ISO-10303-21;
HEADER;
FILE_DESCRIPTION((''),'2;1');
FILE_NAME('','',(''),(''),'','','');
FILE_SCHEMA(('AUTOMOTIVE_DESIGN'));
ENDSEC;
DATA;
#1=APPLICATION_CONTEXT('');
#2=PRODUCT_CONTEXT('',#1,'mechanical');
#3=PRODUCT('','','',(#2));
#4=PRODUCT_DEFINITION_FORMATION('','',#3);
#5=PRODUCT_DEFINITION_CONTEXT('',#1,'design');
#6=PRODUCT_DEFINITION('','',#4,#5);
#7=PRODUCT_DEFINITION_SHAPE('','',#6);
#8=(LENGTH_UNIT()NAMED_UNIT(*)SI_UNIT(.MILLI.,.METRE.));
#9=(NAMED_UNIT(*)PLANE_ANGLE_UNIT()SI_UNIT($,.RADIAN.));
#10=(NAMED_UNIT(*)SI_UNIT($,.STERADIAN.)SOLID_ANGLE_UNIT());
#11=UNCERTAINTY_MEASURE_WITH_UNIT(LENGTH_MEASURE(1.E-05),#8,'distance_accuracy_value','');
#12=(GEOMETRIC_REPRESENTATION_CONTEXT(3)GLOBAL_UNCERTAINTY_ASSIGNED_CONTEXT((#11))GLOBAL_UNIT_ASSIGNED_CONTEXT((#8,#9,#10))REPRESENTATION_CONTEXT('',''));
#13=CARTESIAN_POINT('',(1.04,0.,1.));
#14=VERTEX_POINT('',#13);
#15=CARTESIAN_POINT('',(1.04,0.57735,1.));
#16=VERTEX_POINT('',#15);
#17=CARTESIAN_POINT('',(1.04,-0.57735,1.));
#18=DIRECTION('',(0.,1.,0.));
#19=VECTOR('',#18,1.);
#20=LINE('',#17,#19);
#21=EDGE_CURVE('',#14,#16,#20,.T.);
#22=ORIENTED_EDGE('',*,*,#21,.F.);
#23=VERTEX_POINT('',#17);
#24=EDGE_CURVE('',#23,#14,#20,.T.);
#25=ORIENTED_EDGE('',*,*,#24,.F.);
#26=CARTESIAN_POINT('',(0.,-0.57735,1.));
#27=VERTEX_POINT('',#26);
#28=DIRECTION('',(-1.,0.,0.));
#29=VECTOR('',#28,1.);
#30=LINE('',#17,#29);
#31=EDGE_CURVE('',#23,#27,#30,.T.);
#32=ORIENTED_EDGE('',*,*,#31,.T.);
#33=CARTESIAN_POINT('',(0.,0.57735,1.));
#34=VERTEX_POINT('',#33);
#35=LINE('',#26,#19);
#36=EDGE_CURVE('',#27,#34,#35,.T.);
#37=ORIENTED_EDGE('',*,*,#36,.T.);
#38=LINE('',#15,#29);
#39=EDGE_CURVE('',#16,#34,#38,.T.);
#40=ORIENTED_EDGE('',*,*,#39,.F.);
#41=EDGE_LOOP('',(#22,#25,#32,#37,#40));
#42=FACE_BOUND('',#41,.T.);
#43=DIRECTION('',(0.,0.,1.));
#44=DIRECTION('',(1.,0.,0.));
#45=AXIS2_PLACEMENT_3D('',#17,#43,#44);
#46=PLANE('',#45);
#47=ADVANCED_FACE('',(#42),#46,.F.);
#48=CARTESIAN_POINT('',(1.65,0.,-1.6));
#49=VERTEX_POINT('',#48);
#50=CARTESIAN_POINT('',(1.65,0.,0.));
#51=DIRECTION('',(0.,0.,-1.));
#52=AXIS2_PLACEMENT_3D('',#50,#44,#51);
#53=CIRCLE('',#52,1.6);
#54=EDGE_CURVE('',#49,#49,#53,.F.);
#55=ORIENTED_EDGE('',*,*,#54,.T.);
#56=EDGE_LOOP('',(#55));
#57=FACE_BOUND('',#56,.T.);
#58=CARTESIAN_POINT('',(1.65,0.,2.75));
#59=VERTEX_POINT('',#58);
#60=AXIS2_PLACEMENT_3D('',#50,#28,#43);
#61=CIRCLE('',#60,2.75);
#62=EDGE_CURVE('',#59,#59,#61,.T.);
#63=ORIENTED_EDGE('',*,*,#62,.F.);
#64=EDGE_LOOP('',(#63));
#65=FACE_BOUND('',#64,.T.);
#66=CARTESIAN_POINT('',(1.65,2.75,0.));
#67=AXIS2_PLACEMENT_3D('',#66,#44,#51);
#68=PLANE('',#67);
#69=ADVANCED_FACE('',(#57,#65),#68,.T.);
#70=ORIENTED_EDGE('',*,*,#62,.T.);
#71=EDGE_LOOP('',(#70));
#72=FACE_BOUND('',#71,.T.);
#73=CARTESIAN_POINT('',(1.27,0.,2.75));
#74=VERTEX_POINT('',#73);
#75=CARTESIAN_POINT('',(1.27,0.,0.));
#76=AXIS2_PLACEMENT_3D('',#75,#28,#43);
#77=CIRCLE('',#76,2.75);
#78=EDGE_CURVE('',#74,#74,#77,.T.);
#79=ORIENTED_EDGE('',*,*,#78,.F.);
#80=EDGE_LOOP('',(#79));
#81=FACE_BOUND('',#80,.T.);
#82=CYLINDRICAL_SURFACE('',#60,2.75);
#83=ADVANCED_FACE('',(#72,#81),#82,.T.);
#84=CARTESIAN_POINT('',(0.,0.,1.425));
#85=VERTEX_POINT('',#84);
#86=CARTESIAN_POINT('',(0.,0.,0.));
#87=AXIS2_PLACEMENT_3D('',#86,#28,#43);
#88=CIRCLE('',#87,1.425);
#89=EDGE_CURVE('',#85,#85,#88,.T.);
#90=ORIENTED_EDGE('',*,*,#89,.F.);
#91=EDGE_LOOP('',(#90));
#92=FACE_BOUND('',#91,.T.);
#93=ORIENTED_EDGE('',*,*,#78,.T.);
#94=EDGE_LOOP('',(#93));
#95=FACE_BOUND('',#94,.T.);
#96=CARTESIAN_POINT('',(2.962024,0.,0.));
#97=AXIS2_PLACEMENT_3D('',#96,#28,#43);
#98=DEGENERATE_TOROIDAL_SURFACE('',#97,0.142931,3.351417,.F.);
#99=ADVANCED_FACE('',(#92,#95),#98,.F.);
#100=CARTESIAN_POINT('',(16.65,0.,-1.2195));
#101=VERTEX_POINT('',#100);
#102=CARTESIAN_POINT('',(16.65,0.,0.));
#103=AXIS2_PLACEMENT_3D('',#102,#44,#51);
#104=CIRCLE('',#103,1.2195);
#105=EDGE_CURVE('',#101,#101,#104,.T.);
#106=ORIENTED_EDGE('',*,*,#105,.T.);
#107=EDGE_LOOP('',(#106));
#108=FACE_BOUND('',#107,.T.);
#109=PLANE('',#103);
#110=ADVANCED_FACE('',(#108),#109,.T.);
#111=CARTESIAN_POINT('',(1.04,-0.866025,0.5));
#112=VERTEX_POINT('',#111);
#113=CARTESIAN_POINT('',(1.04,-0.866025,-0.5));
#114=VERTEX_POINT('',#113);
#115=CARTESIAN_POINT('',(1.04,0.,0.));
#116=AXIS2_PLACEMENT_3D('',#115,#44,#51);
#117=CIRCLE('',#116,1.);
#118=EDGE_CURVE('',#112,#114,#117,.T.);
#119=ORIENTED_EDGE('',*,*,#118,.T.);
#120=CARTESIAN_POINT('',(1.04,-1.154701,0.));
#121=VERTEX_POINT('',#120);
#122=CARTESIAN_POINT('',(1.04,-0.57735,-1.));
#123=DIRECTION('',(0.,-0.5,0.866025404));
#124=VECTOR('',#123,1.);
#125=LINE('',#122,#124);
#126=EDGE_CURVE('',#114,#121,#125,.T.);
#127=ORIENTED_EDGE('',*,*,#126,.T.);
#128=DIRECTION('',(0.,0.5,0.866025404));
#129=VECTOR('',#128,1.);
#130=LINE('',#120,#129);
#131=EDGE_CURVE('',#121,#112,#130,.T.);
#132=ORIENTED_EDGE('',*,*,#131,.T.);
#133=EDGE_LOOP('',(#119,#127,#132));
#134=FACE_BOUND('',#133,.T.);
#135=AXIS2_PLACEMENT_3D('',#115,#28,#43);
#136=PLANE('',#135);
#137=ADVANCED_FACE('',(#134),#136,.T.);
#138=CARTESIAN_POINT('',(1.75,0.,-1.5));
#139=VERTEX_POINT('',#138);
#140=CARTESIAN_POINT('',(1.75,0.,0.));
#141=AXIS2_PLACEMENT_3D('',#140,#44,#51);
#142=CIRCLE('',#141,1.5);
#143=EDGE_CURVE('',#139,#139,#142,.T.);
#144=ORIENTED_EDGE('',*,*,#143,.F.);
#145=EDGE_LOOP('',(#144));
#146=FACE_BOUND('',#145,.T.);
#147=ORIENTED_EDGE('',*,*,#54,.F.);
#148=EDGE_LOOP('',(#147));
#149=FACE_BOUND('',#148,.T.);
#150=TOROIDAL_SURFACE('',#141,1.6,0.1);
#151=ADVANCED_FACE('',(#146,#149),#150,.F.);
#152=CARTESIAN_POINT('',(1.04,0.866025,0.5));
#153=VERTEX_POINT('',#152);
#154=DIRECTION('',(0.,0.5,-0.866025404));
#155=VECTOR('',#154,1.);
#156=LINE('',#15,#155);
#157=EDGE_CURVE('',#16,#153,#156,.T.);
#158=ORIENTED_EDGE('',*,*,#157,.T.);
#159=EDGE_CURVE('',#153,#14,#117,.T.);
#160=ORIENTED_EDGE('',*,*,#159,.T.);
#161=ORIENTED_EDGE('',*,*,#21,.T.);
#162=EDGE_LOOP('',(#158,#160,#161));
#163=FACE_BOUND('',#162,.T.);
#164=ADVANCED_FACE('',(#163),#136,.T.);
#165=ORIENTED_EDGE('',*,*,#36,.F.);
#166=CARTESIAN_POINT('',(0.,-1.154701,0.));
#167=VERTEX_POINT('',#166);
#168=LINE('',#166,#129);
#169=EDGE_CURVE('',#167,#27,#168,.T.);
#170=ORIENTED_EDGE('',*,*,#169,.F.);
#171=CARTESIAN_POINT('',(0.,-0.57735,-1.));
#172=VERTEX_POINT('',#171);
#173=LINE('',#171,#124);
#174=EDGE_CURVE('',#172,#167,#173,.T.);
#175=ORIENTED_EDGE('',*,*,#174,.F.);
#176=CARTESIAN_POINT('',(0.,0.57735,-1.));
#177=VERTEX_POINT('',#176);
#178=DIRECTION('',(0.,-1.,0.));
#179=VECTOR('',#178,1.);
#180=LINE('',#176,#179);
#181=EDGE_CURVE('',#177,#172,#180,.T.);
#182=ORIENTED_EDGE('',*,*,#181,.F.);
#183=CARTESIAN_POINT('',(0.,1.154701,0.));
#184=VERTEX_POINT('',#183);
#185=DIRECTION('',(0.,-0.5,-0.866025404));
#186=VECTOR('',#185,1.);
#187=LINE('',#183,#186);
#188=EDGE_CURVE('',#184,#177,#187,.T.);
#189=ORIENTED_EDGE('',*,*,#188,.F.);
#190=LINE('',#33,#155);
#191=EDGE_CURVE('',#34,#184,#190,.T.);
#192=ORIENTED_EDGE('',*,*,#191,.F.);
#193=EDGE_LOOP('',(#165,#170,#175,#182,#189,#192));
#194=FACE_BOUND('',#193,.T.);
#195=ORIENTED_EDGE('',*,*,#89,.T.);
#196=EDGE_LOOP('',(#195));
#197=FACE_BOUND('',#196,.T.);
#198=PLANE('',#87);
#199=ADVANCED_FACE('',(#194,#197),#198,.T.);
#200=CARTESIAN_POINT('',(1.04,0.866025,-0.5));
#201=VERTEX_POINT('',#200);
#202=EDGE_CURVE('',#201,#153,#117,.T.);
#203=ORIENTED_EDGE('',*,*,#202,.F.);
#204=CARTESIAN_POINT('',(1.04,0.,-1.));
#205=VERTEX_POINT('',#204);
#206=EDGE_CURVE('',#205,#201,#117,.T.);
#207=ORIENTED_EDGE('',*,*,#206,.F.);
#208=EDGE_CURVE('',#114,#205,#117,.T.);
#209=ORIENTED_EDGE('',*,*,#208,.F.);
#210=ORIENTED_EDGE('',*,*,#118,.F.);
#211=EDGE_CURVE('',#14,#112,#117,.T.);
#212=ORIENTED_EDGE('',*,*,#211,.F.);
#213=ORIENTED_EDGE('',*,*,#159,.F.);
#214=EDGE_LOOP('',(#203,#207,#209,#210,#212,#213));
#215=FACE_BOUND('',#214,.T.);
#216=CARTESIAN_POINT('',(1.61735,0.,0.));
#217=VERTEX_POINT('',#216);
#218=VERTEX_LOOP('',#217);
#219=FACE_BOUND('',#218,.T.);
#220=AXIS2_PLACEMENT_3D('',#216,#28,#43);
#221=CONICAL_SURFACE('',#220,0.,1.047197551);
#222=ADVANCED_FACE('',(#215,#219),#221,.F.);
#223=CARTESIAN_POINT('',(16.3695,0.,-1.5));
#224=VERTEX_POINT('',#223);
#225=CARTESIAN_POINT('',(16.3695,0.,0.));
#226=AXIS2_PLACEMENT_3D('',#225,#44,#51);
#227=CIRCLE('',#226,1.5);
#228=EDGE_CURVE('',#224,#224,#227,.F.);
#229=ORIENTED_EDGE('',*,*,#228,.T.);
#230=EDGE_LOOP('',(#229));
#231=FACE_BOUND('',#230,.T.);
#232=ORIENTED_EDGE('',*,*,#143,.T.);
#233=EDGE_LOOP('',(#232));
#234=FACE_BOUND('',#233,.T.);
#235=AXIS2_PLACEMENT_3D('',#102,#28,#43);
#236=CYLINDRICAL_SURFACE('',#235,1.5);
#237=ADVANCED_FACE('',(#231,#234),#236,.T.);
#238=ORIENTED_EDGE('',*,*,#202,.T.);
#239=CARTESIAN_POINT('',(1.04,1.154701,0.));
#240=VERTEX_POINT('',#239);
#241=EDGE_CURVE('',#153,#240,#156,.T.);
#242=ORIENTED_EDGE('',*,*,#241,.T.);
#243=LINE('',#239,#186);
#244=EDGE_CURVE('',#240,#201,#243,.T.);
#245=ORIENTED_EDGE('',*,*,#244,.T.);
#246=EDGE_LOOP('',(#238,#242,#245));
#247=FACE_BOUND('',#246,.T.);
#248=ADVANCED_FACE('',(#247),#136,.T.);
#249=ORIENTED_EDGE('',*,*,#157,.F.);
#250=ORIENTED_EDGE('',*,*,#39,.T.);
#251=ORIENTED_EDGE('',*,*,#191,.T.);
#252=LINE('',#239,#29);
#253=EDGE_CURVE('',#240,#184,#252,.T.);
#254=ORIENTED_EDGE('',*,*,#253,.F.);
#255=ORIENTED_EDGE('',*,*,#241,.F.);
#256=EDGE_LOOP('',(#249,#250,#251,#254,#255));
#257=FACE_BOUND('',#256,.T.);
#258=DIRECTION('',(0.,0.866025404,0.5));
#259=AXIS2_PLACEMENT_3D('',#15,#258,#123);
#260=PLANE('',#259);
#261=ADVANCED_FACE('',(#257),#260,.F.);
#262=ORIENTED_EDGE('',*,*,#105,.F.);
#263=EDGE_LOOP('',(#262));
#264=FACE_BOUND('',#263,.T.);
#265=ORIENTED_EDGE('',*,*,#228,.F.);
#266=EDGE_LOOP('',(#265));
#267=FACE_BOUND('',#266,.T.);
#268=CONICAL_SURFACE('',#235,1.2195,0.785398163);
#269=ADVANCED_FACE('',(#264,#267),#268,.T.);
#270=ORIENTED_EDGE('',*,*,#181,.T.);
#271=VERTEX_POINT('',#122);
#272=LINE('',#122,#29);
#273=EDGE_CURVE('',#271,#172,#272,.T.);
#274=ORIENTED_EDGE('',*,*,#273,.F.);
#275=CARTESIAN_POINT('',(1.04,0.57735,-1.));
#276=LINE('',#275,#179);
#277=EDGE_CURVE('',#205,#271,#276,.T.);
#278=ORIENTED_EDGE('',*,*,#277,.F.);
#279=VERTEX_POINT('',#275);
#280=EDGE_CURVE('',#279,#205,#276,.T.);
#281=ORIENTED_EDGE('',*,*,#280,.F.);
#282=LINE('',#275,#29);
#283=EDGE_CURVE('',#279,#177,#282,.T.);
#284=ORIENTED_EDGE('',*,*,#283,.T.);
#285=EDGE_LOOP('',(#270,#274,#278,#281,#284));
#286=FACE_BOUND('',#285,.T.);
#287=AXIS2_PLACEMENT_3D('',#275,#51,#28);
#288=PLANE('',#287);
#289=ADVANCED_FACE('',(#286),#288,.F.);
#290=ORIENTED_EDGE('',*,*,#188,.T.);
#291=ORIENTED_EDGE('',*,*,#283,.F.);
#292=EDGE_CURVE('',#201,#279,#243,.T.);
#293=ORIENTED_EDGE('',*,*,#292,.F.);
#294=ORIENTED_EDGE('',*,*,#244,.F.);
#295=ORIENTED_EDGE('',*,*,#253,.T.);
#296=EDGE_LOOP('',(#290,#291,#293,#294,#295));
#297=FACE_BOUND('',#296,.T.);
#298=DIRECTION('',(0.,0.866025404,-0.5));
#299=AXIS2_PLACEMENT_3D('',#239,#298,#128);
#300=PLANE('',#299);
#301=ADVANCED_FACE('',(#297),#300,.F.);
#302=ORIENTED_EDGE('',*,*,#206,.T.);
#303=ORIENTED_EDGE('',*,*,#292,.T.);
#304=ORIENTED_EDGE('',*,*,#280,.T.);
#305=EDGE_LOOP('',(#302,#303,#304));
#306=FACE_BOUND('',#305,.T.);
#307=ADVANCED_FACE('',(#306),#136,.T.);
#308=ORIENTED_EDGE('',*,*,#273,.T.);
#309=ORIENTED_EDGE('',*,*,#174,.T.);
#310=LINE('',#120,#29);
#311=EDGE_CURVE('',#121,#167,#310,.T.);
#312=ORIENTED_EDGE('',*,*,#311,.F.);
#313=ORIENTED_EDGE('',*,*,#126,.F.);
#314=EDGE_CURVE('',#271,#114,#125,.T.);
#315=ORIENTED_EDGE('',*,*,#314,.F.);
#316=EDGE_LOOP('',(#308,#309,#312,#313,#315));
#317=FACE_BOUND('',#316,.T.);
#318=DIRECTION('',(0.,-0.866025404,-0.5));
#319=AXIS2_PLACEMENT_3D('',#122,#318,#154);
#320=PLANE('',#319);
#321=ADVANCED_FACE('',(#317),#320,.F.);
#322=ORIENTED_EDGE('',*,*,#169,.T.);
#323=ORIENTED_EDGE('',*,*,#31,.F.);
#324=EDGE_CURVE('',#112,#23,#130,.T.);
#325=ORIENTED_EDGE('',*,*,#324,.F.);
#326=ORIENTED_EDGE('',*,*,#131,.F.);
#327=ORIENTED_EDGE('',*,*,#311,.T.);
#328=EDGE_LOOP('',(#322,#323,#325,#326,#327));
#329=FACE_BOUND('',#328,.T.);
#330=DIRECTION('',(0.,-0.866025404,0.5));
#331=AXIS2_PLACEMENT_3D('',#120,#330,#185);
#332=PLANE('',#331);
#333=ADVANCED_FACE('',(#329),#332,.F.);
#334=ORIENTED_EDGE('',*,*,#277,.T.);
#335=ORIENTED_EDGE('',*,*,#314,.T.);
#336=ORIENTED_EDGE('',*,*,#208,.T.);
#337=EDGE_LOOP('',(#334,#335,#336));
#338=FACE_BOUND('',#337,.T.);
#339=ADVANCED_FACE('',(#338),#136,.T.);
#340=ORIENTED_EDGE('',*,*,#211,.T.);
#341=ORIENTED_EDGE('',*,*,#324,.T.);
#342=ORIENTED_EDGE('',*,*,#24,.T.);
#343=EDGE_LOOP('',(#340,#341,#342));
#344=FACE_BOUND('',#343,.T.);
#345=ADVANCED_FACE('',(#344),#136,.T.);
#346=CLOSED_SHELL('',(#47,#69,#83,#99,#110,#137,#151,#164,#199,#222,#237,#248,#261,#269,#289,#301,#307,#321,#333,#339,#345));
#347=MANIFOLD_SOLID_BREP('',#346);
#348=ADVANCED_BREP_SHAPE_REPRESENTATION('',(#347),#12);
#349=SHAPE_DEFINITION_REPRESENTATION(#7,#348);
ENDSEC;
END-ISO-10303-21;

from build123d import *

# Parameters (mm, degrees)
CUT_EXTRUDE1_DEPTH        = 1.04
SKETCH4_R                 = 1.5
LARGO_Y_ANCHO_ROSCA_DEPTH = 15
FILLET1_R                 = 0.1
CHAMFER1_SIZE             = 0.2805


with BuildPart() as part:
    # Sketch1 → Revolve1 (revolve)
    with BuildSketch(Plane(origin=(0, 0, 0), x_dir=(-1, 0, 0), z_dir=(0, 0, -1)), mode=Mode.PRIVATE) as revolve1_sk:
        with BuildLine():
            Line((-1.65, 2.75), (-1.65, 0))
            Line((-1.65, 0), (0, 0))
            Line((0, 0), (0, 1.425))
            ThreePointArc((0, 1.425), (-0.542530893, 2.176130767), (-1.27, 2.75))
            Line((-1.27, 2.75), (-1.65, 2.75))
        make_face()
    revolve(revolve1_sk.sketch.rotate(Axis((1.65, 0, 0), (-1, 0, 0)), 270), axis=Axis((1.65, 0, 0), (-1, 0, 0)))

    # Sketch2 → Cut-Extrude1 (cut)
    with BuildSketch(Plane.ZY):
        Polygon((-1, 0.577350269), (-1, -0.577350269), (0, -1.154700538), (1, -0.577350269), (1, 0.577350269), (0, 1.154700538), align=None)
    extrude(amount=-CUT_EXTRUDE1_DEPTH, mode=Mode.SUBTRACT)

    # Sketch3 → Cut-Revolve1 (revolve, cut)
    with BuildSketch(Plane.XY, mode=Mode.PRIVATE) as cut_revolve1_sk:
        Polygon((1.04, 1), (1.04, 0), (1.617350269, 0), align=None)
    revolve(cut_revolve1_sk.sketch.rotate(Axis((1.04, 0, 0), (1, 0, 0)), 90), axis=Axis((1.04, 0, 0), (1, 0, 0)), mode=Mode.SUBTRACT)

    # Sketch4 → Largo y Ancho rosca (add)
    with BuildSketch(Plane(origin=(1.65, 0, 0), x_dir=(0, 0, -1), z_dir=(1, 0, 0))):
        Circle(SKETCH4_R)
    extrude(amount=LARGO_Y_ANCHO_ROSCA_DEPTH)

    # Fillet1
    fillet1_edges = [part.edges().sort_by_distance(p)[0] for p in [
        (1.65, 0, 1.5),
    ]]
    fillet(fillet1_edges, radius=FILLET1_R)

    # Chamfer1
    chamfer1_edges = [part.edges().sort_by_distance(p)[0] for p in [
        (16.65, 0, 1.5),
    ]]
    chamfer(chamfer1_edges, length=CHAMFER1_SIZE)


solid = part.part
